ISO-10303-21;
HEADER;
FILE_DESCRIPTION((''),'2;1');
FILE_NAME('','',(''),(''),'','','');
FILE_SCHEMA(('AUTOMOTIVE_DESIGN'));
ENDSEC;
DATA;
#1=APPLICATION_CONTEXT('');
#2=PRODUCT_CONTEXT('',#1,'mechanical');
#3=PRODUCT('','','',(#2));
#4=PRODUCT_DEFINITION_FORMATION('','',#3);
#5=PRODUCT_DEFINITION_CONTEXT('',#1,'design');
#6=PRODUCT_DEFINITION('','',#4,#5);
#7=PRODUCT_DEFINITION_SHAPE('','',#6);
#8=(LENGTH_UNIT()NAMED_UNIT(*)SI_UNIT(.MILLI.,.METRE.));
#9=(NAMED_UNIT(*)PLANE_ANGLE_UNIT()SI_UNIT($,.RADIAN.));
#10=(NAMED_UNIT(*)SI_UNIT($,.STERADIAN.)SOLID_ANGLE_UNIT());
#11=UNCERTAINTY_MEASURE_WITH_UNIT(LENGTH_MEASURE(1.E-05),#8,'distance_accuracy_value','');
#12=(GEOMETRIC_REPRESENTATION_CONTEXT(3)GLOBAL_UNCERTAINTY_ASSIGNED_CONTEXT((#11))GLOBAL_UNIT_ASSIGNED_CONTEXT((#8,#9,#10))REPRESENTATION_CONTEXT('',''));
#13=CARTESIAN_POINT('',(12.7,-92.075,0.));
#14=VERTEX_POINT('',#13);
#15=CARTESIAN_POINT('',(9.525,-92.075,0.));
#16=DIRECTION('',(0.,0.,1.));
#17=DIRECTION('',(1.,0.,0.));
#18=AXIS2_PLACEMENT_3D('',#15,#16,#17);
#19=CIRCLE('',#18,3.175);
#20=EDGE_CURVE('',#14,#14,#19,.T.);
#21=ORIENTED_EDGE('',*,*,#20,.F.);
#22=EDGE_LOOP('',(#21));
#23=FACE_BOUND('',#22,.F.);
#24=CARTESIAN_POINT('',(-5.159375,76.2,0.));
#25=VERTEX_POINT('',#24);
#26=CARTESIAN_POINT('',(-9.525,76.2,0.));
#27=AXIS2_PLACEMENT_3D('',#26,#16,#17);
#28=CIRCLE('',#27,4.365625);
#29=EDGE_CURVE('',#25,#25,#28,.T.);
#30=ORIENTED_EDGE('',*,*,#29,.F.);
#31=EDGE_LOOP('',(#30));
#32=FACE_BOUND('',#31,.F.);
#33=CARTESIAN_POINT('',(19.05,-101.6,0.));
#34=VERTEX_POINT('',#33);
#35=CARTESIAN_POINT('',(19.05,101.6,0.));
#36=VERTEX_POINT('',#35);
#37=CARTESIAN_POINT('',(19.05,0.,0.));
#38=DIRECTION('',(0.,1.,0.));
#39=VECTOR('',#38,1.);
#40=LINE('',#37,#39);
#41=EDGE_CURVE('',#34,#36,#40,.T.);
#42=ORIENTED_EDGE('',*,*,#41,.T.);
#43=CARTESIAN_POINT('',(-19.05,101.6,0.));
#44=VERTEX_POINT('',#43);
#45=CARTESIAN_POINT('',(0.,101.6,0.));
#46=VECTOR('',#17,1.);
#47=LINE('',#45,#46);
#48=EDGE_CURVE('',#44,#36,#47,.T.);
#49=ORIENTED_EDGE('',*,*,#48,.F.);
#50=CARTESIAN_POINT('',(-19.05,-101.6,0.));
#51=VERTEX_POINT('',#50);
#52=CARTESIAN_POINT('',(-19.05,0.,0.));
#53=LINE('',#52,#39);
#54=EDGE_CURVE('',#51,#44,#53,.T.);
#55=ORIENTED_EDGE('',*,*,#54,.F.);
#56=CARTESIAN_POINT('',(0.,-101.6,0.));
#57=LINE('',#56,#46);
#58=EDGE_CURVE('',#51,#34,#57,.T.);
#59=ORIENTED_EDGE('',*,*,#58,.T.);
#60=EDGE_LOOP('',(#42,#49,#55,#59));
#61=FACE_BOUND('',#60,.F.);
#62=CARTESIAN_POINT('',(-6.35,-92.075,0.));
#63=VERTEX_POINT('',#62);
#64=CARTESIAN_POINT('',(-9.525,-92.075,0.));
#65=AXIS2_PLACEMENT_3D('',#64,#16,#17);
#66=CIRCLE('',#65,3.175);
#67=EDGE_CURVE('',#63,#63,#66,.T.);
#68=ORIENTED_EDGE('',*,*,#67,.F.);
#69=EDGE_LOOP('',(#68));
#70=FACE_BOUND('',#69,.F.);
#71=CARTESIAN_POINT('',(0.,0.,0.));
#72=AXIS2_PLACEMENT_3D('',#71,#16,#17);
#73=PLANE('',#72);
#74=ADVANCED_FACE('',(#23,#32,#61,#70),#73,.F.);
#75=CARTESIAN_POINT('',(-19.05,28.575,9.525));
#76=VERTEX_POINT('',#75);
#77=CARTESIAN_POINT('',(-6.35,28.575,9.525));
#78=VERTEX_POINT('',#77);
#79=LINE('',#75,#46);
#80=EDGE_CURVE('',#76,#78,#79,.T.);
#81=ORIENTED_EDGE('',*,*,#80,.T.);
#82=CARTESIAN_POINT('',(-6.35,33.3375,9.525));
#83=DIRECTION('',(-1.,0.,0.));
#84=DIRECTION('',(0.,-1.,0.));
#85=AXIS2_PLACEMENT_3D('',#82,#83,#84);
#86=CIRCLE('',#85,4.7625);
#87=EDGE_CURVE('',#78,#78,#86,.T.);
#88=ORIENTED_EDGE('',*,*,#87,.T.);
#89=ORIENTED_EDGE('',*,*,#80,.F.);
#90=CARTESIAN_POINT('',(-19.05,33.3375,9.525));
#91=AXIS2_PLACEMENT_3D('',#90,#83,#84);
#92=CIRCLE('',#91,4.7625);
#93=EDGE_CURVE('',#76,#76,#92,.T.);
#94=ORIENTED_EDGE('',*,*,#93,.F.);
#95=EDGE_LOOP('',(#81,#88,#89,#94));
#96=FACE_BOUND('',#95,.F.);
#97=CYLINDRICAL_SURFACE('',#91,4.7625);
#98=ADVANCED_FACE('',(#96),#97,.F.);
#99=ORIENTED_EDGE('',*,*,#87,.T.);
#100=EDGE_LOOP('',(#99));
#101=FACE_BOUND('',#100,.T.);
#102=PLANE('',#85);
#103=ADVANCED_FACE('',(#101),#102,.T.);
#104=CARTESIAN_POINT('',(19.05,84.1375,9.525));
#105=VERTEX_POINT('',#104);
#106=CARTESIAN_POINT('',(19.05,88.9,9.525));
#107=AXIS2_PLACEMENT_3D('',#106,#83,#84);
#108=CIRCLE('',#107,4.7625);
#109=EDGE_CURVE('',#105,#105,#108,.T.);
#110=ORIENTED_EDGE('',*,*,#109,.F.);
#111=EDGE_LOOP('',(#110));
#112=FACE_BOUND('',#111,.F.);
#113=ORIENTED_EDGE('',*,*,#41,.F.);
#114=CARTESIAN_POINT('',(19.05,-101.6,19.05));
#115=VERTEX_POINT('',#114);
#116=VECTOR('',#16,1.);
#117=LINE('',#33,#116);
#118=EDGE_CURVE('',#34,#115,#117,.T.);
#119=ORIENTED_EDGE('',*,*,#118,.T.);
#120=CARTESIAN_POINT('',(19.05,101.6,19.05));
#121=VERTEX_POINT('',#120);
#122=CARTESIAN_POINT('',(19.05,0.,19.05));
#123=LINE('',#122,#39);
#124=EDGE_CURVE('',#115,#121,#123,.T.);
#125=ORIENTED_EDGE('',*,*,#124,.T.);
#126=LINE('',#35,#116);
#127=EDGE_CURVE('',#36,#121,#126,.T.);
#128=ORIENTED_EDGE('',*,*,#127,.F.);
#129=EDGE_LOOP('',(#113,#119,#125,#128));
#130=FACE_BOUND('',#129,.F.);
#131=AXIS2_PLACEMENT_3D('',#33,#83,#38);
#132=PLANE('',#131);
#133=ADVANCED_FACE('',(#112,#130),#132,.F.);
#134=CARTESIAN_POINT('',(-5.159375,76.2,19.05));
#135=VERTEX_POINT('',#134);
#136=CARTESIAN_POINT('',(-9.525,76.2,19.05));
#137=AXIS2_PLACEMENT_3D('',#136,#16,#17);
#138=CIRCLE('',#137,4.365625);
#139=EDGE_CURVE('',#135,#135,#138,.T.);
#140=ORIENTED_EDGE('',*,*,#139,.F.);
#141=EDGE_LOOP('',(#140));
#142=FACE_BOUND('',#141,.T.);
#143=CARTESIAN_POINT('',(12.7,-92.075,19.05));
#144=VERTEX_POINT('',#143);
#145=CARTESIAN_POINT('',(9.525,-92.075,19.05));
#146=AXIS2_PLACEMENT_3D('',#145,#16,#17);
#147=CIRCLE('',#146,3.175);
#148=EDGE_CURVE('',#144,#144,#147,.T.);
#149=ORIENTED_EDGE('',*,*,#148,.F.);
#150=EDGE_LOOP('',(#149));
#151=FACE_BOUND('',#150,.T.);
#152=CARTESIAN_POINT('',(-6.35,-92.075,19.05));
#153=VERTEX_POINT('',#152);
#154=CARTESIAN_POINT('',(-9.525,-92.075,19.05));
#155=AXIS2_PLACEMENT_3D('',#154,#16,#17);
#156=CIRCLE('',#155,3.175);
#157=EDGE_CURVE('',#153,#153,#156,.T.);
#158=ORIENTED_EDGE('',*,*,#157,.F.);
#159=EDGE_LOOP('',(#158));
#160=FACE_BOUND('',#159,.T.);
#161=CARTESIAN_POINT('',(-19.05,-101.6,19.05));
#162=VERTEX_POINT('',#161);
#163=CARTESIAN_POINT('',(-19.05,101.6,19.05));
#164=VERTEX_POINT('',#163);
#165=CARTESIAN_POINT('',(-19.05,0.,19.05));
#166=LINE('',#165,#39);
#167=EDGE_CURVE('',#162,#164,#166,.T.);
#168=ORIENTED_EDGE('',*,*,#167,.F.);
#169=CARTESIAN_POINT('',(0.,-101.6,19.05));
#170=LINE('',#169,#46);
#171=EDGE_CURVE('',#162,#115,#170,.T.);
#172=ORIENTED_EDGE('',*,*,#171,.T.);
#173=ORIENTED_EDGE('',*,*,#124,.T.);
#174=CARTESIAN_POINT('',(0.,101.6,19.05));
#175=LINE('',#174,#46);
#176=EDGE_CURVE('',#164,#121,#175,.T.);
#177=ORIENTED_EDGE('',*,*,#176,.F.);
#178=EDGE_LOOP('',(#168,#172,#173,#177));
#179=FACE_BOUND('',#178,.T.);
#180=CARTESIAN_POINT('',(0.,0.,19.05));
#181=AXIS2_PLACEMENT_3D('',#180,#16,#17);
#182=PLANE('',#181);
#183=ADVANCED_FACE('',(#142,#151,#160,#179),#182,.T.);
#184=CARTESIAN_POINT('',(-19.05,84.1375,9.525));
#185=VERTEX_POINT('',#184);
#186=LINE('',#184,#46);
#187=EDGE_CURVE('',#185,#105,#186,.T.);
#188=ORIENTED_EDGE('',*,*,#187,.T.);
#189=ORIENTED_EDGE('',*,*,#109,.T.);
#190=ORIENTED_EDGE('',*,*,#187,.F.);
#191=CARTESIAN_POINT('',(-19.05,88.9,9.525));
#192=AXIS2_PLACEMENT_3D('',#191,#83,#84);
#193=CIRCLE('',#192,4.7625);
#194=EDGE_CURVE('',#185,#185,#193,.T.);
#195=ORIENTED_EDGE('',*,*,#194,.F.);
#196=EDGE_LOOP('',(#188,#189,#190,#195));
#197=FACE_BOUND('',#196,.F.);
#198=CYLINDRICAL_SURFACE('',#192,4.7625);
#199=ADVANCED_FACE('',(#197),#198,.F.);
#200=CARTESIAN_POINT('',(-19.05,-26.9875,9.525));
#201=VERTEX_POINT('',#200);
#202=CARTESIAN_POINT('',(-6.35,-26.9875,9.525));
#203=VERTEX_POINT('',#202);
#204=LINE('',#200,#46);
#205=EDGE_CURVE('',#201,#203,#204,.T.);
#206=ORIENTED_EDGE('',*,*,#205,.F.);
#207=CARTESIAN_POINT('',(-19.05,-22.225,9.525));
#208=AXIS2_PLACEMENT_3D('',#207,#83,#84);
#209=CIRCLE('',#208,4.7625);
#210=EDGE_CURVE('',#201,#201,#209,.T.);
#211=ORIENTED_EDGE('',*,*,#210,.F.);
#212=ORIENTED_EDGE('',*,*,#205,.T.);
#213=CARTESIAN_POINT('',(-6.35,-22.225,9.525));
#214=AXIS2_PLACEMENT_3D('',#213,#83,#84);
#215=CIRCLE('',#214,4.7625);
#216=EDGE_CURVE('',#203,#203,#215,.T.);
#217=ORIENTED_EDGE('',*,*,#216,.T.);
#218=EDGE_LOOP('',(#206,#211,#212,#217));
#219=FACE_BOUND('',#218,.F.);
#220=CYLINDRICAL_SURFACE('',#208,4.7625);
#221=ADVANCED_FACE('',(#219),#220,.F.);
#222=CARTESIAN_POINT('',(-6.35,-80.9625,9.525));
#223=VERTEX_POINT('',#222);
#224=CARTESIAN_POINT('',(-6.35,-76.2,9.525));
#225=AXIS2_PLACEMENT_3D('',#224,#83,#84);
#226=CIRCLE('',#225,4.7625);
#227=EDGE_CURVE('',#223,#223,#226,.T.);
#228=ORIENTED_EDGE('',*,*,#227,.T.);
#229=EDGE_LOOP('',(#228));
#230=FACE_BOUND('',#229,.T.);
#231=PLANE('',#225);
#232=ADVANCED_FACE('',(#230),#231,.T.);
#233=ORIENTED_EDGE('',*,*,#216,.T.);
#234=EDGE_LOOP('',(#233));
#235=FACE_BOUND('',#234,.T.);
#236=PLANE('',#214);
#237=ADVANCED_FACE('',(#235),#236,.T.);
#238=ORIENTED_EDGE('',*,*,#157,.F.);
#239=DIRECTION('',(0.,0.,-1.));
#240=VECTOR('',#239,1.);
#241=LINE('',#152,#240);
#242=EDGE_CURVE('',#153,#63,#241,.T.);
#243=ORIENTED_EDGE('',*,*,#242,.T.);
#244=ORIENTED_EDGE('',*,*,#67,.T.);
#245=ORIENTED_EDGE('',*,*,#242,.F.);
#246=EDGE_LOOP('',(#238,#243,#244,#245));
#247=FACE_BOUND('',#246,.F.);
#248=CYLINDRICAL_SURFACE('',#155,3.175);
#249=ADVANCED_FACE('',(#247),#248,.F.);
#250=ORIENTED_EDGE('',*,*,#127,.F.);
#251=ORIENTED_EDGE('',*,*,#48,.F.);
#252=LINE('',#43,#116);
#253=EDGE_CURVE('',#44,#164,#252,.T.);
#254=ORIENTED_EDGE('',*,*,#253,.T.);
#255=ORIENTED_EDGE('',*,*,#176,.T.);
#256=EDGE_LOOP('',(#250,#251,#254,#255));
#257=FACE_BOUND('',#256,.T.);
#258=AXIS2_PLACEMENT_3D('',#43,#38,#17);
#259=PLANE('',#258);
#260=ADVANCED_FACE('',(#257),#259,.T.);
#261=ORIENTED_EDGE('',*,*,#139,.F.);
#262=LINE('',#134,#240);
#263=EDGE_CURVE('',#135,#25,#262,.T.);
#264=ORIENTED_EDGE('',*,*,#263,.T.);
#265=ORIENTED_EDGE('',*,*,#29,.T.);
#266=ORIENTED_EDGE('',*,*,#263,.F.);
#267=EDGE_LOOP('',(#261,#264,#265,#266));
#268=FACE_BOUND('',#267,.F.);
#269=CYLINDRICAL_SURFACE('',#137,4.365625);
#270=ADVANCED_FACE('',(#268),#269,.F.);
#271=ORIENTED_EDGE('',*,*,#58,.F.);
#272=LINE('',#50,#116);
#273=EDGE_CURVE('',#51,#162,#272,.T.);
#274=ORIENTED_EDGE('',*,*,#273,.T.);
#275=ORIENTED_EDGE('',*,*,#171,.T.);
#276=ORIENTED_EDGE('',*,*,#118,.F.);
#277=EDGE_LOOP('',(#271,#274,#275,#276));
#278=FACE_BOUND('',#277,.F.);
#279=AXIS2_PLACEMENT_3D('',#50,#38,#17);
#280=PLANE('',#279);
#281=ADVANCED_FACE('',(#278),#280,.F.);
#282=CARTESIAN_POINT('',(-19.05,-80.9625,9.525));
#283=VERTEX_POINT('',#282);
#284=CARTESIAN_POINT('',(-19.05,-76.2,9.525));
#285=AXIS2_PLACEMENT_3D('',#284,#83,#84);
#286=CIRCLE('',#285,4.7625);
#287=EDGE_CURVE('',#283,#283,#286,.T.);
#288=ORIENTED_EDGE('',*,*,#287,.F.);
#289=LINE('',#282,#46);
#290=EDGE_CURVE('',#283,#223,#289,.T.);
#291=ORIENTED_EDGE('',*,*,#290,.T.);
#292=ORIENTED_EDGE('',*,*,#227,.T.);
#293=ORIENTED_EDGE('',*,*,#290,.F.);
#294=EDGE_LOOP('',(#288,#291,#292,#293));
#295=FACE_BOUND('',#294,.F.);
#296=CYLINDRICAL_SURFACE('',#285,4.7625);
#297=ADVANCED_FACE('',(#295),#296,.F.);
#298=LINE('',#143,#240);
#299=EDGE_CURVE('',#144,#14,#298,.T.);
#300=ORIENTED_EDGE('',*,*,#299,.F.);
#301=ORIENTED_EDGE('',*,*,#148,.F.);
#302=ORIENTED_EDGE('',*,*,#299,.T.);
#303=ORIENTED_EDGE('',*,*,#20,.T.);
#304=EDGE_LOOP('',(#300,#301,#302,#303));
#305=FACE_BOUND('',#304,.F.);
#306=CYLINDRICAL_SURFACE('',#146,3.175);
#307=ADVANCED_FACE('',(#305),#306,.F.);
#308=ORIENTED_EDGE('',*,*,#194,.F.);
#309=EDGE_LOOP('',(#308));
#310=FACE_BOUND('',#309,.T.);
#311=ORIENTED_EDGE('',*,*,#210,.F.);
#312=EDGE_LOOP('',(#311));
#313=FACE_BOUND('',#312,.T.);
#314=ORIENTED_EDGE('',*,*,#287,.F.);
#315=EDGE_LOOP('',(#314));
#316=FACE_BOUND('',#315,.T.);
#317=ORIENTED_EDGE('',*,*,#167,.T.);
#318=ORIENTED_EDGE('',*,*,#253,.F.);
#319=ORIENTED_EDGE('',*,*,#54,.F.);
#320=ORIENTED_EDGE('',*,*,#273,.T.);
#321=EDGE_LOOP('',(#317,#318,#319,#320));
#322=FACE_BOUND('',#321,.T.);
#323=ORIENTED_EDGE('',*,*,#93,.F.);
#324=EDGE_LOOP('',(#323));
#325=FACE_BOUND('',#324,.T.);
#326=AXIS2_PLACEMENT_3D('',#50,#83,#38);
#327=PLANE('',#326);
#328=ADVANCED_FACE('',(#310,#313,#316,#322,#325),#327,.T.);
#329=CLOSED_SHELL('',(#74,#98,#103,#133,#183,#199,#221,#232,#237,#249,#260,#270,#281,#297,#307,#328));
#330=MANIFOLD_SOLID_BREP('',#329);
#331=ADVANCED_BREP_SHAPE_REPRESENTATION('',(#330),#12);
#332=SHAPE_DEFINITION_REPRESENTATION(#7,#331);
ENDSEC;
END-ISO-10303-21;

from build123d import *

# Parameters (mm, degrees)
F0_W     = 38.1
F0_H     = 203.2
F1_DEPTH = 19.05
F2_R     = 3.175
F3_DEPTH = 19.051
F4_R     = 4.365625
F5_DEPTH = 19.051
F6_R     = 4.7625
F7_DEPTH = 38.101
F8_DEPTH = 12.7


with BuildPart() as f1:
    # F0 (on Top) → F1 (new body)
    with BuildSketch(Plane.XY):
        Rectangle(F0_W, F0_H)
    extrude(amount=F1_DEPTH)

    # F2 (on face) → F3 (cut, through all)
    with BuildSketch(Plane.XY.offset(19.05)):
        with Locations((-9.525, -92.075)):
            Circle(F2_R)
        with Locations((9.525, -92.075)):
            Circle(F2_R)
    extrude(amount=-F3_DEPTH, mode=Mode.SUBTRACT)

    # F4 (on face) → F5 (cut, through all)
    with BuildSketch(Plane.XY.offset(19.05)):
        with Locations((-9.525, 76.2)):
            Circle(F4_R)
    extrude(amount=-F5_DEPTH, mode=Mode.SUBTRACT)

    # F6 (on face) → F7 (cut, through all)
    with BuildSketch(Plane(origin=(-19.05, 0, 0), x_dir=(0, -1, 0), z_dir=(-1, 0, 0))):
        with Locations((-88.9, 9.525)):
            Circle(F6_R)
    extrude(amount=-F7_DEPTH, mode=Mode.SUBTRACT)

    # F6 (on face) → F8 (cut)
    with BuildSketch(Plane(origin=(-19.05, 0, 0), x_dir=(0, -1, 0), z_dir=(-1, 0, 0))):
        with Locations((-33.3375, 9.525)):
            Circle(F6_R)
        with Locations((22.225, 9.525)):
            Circle(F6_R)
        with Locations((76.2, 9.525)):
            Circle(F6_R)
    extrude(amount=-F8_DEPTH, mode=Mode.SUBTRACT)


solid = f1.part
